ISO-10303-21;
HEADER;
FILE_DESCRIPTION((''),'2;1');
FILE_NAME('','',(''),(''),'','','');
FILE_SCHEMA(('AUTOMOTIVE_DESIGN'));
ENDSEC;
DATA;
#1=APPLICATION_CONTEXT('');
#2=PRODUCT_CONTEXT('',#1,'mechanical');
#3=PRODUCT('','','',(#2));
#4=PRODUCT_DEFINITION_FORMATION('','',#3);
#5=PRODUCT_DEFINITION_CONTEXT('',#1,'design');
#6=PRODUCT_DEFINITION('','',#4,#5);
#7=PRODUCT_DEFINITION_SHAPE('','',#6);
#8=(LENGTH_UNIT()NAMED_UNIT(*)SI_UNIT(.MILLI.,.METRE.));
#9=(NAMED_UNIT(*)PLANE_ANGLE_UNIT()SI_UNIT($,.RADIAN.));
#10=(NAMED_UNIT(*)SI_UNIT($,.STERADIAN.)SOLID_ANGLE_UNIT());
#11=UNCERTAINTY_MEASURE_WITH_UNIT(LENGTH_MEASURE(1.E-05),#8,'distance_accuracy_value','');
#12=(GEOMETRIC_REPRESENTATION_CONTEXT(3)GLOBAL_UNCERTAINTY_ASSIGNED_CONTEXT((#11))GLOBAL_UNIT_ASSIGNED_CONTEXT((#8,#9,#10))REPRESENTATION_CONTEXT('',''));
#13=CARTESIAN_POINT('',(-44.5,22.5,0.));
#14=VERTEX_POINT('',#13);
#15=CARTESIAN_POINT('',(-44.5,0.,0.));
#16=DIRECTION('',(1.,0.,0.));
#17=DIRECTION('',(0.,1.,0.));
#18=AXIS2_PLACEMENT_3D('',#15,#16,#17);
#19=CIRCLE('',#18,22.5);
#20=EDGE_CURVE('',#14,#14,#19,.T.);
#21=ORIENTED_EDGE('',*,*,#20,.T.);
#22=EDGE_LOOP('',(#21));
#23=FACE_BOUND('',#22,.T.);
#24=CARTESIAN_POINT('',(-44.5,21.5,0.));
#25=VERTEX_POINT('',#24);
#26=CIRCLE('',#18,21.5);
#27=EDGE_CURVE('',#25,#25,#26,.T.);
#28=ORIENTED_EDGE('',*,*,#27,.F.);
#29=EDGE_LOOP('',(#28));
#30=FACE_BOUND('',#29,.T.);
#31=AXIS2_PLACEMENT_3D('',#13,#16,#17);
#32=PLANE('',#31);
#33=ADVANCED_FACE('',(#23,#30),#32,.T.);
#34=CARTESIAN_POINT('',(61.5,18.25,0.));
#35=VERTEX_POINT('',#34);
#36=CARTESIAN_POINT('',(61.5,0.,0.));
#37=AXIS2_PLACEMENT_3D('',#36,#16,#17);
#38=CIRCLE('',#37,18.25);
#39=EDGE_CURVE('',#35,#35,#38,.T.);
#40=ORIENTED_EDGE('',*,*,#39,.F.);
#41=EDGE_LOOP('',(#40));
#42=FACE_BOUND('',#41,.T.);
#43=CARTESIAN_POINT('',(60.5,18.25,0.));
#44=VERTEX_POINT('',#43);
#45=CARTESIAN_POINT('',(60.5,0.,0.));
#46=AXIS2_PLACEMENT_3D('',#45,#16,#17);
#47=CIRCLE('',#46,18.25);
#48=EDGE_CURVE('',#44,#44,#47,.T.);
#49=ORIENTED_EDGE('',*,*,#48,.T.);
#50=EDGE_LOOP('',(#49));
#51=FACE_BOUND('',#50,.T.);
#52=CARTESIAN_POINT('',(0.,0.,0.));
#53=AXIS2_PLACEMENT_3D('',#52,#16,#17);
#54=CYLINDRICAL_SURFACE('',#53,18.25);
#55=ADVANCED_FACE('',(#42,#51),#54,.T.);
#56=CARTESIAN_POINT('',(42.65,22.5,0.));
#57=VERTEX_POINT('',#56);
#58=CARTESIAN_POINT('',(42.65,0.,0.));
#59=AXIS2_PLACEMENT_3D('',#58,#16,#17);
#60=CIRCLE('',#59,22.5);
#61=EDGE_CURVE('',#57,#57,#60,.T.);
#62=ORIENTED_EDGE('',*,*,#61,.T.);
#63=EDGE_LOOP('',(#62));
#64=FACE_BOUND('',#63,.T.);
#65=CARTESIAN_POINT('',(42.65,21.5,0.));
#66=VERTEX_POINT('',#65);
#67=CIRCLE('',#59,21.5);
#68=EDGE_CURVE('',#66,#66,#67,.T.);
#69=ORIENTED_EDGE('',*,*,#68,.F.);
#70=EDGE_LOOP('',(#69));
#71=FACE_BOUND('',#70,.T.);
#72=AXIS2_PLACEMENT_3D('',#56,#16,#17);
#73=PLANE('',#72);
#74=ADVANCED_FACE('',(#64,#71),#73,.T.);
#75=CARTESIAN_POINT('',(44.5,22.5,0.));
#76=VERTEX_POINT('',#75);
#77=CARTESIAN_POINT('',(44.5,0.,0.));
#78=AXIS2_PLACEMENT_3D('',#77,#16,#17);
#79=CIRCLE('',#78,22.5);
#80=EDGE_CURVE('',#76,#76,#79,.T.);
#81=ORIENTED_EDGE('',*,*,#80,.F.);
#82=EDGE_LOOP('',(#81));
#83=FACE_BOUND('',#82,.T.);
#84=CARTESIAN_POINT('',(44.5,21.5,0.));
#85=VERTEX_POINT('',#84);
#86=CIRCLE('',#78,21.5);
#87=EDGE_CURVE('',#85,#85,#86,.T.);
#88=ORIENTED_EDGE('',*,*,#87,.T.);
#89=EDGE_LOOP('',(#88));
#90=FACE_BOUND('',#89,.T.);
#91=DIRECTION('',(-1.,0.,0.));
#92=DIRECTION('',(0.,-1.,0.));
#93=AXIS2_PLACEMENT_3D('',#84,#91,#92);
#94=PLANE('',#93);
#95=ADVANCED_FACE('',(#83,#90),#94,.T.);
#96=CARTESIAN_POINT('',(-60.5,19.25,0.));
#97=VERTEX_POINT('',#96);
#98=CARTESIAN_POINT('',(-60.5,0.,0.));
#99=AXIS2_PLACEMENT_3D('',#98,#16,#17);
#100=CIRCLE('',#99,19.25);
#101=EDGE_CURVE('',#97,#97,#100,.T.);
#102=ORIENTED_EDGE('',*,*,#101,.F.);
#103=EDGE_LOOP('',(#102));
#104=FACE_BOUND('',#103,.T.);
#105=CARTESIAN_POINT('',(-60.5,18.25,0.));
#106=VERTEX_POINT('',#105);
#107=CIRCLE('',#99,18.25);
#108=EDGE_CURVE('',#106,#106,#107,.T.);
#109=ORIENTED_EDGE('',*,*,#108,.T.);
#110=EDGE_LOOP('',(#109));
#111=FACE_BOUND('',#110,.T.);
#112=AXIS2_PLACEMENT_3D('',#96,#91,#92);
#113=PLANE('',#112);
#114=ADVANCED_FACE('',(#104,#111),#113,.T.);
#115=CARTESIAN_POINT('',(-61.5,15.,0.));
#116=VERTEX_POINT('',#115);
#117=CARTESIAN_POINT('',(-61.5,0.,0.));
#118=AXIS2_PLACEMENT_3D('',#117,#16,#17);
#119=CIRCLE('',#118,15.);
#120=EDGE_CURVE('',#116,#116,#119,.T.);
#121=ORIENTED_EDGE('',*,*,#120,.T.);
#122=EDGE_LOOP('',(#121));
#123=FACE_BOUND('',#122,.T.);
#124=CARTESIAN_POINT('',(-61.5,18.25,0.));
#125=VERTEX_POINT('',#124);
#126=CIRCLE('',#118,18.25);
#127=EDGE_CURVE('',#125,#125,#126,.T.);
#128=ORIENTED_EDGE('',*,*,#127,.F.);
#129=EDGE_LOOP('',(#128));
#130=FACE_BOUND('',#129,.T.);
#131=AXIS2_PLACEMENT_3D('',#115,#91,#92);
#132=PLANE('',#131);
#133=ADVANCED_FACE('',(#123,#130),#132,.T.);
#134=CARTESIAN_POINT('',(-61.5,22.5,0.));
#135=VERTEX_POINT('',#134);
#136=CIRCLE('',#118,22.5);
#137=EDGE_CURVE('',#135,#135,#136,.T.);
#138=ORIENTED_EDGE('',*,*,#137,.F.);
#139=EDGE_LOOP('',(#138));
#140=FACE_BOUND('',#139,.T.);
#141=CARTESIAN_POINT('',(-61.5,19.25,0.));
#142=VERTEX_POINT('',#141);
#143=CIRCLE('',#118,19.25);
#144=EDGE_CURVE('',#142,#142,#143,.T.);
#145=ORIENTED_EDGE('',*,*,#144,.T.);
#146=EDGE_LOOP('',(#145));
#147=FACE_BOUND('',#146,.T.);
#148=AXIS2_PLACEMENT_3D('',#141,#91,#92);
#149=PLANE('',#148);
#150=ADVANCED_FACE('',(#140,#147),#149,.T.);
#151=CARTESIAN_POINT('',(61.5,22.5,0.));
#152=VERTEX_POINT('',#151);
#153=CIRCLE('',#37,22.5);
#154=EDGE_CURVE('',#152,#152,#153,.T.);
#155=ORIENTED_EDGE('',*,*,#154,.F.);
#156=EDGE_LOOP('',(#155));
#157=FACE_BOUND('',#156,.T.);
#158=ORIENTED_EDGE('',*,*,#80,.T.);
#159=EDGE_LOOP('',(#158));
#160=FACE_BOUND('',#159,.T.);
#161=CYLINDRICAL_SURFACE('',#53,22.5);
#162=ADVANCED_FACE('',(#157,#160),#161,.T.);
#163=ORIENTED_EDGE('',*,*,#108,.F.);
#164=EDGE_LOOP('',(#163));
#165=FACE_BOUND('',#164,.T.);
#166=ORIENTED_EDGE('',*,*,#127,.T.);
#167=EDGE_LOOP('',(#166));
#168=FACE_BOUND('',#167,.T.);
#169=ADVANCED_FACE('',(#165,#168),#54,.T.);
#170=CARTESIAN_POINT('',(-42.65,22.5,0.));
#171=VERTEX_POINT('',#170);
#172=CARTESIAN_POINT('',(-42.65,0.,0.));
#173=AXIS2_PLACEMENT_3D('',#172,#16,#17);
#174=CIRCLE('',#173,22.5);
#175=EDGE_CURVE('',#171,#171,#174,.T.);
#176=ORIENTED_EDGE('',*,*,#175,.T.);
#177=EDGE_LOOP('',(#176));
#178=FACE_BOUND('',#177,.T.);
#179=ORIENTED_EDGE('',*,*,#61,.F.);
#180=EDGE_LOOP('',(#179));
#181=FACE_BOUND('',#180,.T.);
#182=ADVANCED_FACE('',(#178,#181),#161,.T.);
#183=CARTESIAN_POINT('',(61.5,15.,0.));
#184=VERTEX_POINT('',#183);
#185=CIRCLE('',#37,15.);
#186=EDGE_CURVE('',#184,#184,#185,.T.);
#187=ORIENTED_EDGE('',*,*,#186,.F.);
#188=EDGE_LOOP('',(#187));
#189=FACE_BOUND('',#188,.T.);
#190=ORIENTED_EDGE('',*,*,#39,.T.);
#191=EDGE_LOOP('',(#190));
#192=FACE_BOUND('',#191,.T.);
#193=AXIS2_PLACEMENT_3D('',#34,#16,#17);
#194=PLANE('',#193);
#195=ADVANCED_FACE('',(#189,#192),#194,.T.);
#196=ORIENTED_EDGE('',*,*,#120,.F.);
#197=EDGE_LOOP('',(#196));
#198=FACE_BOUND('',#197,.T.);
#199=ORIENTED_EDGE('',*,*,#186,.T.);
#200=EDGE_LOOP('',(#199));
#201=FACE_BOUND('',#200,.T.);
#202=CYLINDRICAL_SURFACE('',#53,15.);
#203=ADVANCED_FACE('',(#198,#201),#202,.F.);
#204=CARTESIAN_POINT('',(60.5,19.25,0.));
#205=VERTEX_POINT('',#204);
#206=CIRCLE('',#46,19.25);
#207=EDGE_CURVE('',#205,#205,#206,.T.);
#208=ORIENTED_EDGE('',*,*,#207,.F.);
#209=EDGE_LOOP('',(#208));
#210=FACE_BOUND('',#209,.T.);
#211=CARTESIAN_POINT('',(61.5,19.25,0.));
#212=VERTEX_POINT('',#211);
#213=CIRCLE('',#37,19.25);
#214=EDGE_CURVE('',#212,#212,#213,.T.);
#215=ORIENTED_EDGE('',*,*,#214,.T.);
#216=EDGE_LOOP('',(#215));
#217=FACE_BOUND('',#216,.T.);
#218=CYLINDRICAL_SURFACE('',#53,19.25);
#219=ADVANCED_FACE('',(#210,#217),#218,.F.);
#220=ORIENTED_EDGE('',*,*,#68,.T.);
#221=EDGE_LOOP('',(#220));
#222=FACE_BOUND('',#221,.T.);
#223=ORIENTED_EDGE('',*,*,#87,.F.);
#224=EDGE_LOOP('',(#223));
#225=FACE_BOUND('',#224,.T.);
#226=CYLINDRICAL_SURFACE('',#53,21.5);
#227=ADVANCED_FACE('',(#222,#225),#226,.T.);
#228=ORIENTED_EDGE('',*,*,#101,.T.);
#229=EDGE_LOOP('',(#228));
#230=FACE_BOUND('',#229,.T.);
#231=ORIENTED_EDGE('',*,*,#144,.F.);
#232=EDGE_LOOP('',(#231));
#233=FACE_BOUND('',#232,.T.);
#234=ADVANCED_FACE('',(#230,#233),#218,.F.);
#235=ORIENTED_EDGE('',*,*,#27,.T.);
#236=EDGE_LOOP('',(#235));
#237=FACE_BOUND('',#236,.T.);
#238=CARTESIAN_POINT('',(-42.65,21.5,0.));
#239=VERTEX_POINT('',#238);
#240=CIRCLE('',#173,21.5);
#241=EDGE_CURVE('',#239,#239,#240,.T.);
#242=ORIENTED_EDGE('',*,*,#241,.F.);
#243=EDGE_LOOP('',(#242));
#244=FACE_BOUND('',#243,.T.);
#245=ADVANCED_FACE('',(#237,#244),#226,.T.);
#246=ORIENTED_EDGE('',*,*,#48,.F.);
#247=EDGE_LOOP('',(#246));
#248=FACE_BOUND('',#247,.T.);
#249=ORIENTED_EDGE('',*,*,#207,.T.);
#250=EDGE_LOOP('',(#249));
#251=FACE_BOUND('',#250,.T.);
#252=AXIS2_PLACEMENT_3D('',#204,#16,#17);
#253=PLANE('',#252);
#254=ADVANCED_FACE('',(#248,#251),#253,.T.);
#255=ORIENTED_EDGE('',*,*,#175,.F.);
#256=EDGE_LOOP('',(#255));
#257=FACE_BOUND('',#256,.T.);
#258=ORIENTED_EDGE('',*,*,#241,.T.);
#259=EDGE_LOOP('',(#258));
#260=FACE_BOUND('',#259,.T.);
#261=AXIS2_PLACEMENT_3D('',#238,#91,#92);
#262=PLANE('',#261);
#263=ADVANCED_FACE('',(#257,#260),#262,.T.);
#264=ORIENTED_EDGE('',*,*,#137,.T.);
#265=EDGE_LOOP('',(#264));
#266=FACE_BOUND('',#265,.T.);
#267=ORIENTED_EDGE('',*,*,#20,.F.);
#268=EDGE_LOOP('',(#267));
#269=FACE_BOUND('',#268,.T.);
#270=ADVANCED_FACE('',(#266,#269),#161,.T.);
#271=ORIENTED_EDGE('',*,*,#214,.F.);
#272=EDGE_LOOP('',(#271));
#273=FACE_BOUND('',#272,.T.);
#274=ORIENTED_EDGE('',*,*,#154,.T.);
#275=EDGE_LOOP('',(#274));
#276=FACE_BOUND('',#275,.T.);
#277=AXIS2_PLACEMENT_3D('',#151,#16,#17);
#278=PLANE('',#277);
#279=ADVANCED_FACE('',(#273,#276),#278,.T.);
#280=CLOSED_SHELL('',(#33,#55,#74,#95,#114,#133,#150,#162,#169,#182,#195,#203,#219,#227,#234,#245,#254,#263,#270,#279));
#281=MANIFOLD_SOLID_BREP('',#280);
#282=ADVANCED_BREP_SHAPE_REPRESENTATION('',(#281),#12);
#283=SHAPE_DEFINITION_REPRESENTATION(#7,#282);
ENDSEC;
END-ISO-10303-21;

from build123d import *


with BuildPart() as part:
    # Esboço1 → Revolução1 (revolve)
    with BuildSketch(Plane.XY):
        Polygon((-61.5, 22.5), (-44.5, 22.5), (-44.5, 21.5), (-42.65, 21.5), (-42.65, 22.5), (42.65, 22.5), (42.65, 21.5), (44.5, 21.5), (44.5, 22.5), (61.5, 22.5), (61.5, 19.25), (60.5, 19.25), (60.5, 18.25), (61.5, 18.25), (61.5, 15), (-61.5, 15), (-61.5, 18.25), (-60.5, 18.25), (-60.5, 19.25), (-61.5, 19.25), align=None)
    revolve(axis=Axis((0, 0, 0), (-1, 0, 0)))


solid = part.part
